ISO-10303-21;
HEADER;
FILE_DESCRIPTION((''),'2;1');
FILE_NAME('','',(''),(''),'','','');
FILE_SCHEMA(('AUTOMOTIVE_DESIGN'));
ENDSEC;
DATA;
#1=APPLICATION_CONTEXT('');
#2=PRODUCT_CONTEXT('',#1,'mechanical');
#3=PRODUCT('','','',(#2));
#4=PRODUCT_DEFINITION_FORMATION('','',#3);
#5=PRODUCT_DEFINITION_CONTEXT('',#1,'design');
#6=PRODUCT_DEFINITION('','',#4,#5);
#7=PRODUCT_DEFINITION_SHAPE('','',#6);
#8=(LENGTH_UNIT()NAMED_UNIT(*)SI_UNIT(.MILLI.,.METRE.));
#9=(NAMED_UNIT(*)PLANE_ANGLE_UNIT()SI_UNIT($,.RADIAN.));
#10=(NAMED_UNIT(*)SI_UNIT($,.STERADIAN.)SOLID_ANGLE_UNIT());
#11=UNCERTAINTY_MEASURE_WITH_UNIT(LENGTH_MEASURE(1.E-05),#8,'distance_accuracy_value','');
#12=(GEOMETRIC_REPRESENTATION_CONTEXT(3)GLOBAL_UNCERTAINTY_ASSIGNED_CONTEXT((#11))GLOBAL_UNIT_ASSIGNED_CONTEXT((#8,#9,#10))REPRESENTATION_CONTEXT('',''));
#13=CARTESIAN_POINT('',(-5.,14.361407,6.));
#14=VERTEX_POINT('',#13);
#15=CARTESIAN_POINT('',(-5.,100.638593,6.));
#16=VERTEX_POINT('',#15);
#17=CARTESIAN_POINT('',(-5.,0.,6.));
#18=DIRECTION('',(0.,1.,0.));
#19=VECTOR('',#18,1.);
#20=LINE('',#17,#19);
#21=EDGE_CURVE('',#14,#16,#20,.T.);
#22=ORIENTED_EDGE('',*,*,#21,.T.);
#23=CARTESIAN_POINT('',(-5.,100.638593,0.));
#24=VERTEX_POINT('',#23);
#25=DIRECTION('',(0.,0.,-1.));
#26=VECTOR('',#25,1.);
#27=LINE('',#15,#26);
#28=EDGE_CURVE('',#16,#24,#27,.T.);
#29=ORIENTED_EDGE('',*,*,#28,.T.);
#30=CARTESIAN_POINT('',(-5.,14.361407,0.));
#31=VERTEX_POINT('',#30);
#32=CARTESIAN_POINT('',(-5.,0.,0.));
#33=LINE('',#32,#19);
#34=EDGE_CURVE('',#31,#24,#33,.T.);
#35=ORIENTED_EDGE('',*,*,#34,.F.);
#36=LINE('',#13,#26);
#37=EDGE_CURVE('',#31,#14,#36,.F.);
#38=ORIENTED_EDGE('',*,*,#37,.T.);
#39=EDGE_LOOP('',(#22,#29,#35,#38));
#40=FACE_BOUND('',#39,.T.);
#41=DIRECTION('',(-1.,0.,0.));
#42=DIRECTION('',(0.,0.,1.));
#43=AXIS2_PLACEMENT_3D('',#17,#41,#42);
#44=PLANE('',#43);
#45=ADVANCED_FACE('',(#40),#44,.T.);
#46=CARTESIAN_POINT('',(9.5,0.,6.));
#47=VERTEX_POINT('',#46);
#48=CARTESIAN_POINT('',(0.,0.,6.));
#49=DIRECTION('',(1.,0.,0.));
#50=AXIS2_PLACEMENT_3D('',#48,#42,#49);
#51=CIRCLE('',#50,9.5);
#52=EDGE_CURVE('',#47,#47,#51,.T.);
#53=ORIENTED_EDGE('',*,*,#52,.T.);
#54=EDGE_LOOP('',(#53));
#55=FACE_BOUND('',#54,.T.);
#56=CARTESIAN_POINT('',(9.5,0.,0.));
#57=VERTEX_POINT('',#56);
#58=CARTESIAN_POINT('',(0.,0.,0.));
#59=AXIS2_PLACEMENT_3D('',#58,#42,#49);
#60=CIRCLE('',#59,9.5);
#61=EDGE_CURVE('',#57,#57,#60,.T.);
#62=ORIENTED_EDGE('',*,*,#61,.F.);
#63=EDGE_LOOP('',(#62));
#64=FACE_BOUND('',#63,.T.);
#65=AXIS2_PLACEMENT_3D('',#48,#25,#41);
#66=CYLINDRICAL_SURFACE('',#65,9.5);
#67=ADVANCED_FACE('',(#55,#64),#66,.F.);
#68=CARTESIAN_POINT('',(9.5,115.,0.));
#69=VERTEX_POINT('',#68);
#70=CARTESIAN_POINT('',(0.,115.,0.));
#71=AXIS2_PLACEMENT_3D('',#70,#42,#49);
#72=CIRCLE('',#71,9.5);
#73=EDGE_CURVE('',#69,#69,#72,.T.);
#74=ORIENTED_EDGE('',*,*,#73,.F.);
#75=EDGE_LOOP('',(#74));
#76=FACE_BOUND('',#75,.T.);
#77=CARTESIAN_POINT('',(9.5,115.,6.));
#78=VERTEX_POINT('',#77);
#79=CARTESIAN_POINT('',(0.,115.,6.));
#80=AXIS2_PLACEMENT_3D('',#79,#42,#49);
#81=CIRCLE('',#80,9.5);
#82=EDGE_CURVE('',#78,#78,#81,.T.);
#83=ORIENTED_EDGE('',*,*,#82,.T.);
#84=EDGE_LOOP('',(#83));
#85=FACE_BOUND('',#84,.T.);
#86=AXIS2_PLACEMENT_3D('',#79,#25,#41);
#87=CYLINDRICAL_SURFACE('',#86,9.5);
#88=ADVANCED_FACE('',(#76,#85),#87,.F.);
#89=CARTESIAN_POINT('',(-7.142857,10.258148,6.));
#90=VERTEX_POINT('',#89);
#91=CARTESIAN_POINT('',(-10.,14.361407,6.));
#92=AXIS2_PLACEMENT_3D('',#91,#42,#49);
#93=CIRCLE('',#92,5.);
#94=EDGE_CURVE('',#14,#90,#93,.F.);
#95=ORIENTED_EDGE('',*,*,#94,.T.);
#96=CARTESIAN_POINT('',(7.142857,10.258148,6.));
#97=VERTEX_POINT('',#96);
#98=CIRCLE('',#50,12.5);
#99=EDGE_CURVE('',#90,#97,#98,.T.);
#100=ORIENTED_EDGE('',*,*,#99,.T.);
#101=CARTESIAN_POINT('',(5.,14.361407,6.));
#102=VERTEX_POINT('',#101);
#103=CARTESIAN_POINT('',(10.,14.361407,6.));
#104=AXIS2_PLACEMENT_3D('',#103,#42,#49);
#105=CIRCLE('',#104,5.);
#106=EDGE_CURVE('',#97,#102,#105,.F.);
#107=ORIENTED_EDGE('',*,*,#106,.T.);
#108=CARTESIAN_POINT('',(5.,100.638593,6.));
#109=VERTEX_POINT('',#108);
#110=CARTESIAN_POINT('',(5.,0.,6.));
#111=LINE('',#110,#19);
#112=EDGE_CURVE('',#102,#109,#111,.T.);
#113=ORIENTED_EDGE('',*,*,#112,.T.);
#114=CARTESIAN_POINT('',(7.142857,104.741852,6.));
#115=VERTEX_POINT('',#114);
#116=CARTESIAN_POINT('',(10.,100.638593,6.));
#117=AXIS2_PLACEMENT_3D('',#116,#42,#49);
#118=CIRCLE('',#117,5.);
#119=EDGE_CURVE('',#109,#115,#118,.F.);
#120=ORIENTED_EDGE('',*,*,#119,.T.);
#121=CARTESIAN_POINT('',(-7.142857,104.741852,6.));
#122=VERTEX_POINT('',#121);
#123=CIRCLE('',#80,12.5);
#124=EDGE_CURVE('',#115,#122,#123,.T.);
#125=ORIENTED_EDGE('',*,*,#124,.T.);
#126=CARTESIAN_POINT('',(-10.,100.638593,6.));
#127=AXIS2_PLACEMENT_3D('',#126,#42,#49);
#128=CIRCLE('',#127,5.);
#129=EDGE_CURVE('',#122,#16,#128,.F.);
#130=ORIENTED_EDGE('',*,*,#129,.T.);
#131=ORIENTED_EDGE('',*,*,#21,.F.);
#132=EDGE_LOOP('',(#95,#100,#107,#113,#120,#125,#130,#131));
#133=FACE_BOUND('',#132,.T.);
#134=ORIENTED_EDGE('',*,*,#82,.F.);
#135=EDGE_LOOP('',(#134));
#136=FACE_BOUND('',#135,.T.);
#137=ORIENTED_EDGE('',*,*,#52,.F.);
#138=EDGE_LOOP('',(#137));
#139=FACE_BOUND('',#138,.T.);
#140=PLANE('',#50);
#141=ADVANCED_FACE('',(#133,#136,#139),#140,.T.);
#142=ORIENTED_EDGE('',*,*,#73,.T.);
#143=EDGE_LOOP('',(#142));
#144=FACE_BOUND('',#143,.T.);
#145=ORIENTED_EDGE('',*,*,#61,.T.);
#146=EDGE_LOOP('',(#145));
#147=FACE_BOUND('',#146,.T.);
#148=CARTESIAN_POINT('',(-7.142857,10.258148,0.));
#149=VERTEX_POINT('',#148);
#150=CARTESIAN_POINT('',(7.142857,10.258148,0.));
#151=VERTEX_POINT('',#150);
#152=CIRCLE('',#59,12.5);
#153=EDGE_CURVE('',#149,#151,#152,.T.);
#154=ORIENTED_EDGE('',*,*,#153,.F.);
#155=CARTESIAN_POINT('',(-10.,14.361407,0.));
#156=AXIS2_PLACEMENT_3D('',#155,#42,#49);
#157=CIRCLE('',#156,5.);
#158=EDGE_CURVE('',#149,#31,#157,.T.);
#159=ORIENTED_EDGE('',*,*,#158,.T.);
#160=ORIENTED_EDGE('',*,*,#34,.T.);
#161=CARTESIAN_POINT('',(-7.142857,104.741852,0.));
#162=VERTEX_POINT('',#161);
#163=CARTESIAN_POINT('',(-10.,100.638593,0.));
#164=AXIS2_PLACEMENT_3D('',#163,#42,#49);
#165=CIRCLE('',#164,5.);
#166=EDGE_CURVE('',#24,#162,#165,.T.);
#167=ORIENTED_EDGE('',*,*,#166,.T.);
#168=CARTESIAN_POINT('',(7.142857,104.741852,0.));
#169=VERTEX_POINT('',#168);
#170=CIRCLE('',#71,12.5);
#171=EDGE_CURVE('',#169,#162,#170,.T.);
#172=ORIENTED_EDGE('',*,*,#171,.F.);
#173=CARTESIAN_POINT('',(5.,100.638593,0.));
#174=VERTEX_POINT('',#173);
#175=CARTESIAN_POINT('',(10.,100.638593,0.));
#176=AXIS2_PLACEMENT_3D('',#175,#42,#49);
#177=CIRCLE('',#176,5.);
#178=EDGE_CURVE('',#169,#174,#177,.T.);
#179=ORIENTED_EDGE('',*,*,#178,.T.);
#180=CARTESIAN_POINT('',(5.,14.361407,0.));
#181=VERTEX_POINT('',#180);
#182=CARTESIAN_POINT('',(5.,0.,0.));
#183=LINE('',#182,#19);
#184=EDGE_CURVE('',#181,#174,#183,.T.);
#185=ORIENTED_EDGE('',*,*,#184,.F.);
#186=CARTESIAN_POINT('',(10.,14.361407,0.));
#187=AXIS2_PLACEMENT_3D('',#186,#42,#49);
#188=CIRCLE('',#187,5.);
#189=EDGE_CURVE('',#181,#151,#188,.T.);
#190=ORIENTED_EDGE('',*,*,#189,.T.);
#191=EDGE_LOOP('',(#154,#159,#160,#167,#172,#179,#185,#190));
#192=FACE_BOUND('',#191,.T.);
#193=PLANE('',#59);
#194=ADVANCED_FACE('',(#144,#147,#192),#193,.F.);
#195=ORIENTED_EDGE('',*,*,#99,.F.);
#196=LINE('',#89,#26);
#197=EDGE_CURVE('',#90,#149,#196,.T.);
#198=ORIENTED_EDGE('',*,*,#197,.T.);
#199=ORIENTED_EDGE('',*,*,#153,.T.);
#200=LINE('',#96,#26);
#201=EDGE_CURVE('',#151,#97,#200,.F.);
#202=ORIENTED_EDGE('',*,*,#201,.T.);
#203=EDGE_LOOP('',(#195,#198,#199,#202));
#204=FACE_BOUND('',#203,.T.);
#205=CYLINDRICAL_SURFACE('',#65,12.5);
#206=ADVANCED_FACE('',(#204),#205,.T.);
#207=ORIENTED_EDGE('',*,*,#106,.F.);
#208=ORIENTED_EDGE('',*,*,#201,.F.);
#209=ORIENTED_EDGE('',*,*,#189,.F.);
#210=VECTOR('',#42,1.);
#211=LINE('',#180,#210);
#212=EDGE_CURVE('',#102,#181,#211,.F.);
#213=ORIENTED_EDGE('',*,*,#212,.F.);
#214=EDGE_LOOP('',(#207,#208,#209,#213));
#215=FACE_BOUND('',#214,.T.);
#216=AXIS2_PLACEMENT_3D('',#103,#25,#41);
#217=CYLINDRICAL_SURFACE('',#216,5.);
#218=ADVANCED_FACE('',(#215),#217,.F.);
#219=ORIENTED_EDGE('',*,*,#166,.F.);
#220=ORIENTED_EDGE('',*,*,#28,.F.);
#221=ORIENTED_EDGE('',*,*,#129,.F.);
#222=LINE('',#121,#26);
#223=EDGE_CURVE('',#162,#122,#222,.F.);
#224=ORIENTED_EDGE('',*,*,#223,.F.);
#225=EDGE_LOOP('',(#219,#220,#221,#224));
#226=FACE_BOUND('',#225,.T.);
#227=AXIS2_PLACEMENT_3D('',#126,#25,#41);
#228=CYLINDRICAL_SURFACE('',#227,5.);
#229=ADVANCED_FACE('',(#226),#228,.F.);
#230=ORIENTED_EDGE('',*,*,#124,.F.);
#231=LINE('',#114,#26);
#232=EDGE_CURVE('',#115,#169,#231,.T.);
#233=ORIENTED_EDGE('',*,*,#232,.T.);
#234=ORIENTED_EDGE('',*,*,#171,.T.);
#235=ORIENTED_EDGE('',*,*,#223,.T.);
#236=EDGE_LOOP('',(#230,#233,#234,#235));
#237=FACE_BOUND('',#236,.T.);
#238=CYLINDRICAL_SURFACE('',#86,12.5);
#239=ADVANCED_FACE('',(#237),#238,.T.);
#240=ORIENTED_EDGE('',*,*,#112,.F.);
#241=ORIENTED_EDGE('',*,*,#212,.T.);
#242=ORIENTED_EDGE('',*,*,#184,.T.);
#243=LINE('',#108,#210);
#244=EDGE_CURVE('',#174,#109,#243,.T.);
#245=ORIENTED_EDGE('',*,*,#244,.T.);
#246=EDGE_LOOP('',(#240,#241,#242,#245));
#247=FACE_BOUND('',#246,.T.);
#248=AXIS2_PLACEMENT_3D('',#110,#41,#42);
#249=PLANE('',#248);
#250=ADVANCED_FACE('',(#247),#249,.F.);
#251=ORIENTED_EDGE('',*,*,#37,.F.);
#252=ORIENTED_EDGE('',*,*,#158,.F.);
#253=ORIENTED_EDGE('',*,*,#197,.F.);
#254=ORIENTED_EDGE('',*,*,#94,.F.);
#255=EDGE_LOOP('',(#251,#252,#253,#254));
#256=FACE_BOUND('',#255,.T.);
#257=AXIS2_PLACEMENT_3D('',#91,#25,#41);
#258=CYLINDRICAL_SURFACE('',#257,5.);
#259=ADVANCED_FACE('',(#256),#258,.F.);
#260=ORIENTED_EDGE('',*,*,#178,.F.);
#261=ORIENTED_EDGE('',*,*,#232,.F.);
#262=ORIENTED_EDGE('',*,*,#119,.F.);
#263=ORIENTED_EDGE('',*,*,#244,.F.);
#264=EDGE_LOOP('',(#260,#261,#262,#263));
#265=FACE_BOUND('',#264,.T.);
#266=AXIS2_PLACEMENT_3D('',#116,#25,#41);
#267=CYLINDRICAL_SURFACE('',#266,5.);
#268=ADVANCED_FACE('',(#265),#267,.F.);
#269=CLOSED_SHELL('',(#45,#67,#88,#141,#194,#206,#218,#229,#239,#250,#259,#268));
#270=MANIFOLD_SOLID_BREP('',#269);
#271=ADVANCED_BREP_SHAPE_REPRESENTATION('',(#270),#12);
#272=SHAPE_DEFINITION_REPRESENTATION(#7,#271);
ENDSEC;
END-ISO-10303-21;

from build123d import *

# Parameters (mm, degrees)
SALIENTE_EXTRUIR1_DEPTH = 6
REDONDEO1_R             = 5


with BuildPart() as part:
    # Croquis1 → Saliente-Extruir1 (new body)
    with BuildSketch(Plane.XY):
        with BuildLine():
            ThreePointArc((-5, 103.543560763), (0, 102.5), (5, 103.543560763))
            Line((5, 103.543560763), (5, 106.922252789))
            ThreePointArc((5, 106.922252789), (0, 105.5), (-5, 106.922252789))
            Line((-5, 106.922252789), (-5, 103.543560763))
        make_face()
        with BuildLine():
            Line((5, 106.922252789), (5, 103.543560763))
            ThreePointArc((5, 103.543560763), (10.458250332, 108.153468031), (12.5, 115))
            ThreePointArc((12.5, 115), (-6.846531969, 125.458250332), (-5, 103.543560763))
            Line((-5, 103.543560763), (-5, 106.922252789))
            ThreePointArc((-5, 106.922252789), (-4.623310502, 123.299096336), (9.5, 115))
            ThreePointArc((9.5, 115), (8.299096336, 110.376689498), (5, 106.922252789))
        make_face()
        with BuildLine():
            ThreePointArc((-5, 11.456439237), (0, 12.5), (5, 11.456439237))
            Line((5, 11.456439237), (5, 103.543560763))
            ThreePointArc((5, 103.543560763), (0, 102.5), (-5, 103.543560763))
            Line((-5, 103.543560763), (-5, 11.456439237))
        make_face()
        with BuildLine():
            ThreePointArc((-5, 8.077747211), (0, 9.5), (5, 8.077747211))
            Line((5, 8.077747211), (5, 11.456439237))
            ThreePointArc((5, 11.456439237), (0, 12.5), (-5, 11.456439237))
            Line((-5, 11.456439237), (-5, 8.077747211))
        make_face()
        with BuildLine():
            Line((5, 11.456439237), (5, 8.077747211))
            ThreePointArc((5, 8.077747211), (8.299096336, 4.623310502), (9.5, 0))
            ThreePointArc((9.5, 0), (-4.623310502, -8.299096336), (-5, 8.077747211))
            Line((-5, 8.077747211), (-5, 11.456439237))
            ThreePointArc((-5, 11.456439237), (-6.846531969, -10.458250332), (12.5, 0))
            ThreePointArc((12.5, 0), (10.458250332, 6.846531969), (5, 11.456439237))
        make_face()
    extrude(amount=SALIENTE_EXTRUIR1_DEPTH)

    # Redondeo1
    redondeo1_edges = [part.edges().sort_by_distance(p)[0] for p in [
        (-5, 11.456439237, 3),
        (-5, 103.543560763, 3),
        (5, 103.543560763, 3),
        (5, 11.456439237, 3),
    ]]
    fillet(redondeo1_edges, radius=REDONDEO1_R)


solid = part.part
